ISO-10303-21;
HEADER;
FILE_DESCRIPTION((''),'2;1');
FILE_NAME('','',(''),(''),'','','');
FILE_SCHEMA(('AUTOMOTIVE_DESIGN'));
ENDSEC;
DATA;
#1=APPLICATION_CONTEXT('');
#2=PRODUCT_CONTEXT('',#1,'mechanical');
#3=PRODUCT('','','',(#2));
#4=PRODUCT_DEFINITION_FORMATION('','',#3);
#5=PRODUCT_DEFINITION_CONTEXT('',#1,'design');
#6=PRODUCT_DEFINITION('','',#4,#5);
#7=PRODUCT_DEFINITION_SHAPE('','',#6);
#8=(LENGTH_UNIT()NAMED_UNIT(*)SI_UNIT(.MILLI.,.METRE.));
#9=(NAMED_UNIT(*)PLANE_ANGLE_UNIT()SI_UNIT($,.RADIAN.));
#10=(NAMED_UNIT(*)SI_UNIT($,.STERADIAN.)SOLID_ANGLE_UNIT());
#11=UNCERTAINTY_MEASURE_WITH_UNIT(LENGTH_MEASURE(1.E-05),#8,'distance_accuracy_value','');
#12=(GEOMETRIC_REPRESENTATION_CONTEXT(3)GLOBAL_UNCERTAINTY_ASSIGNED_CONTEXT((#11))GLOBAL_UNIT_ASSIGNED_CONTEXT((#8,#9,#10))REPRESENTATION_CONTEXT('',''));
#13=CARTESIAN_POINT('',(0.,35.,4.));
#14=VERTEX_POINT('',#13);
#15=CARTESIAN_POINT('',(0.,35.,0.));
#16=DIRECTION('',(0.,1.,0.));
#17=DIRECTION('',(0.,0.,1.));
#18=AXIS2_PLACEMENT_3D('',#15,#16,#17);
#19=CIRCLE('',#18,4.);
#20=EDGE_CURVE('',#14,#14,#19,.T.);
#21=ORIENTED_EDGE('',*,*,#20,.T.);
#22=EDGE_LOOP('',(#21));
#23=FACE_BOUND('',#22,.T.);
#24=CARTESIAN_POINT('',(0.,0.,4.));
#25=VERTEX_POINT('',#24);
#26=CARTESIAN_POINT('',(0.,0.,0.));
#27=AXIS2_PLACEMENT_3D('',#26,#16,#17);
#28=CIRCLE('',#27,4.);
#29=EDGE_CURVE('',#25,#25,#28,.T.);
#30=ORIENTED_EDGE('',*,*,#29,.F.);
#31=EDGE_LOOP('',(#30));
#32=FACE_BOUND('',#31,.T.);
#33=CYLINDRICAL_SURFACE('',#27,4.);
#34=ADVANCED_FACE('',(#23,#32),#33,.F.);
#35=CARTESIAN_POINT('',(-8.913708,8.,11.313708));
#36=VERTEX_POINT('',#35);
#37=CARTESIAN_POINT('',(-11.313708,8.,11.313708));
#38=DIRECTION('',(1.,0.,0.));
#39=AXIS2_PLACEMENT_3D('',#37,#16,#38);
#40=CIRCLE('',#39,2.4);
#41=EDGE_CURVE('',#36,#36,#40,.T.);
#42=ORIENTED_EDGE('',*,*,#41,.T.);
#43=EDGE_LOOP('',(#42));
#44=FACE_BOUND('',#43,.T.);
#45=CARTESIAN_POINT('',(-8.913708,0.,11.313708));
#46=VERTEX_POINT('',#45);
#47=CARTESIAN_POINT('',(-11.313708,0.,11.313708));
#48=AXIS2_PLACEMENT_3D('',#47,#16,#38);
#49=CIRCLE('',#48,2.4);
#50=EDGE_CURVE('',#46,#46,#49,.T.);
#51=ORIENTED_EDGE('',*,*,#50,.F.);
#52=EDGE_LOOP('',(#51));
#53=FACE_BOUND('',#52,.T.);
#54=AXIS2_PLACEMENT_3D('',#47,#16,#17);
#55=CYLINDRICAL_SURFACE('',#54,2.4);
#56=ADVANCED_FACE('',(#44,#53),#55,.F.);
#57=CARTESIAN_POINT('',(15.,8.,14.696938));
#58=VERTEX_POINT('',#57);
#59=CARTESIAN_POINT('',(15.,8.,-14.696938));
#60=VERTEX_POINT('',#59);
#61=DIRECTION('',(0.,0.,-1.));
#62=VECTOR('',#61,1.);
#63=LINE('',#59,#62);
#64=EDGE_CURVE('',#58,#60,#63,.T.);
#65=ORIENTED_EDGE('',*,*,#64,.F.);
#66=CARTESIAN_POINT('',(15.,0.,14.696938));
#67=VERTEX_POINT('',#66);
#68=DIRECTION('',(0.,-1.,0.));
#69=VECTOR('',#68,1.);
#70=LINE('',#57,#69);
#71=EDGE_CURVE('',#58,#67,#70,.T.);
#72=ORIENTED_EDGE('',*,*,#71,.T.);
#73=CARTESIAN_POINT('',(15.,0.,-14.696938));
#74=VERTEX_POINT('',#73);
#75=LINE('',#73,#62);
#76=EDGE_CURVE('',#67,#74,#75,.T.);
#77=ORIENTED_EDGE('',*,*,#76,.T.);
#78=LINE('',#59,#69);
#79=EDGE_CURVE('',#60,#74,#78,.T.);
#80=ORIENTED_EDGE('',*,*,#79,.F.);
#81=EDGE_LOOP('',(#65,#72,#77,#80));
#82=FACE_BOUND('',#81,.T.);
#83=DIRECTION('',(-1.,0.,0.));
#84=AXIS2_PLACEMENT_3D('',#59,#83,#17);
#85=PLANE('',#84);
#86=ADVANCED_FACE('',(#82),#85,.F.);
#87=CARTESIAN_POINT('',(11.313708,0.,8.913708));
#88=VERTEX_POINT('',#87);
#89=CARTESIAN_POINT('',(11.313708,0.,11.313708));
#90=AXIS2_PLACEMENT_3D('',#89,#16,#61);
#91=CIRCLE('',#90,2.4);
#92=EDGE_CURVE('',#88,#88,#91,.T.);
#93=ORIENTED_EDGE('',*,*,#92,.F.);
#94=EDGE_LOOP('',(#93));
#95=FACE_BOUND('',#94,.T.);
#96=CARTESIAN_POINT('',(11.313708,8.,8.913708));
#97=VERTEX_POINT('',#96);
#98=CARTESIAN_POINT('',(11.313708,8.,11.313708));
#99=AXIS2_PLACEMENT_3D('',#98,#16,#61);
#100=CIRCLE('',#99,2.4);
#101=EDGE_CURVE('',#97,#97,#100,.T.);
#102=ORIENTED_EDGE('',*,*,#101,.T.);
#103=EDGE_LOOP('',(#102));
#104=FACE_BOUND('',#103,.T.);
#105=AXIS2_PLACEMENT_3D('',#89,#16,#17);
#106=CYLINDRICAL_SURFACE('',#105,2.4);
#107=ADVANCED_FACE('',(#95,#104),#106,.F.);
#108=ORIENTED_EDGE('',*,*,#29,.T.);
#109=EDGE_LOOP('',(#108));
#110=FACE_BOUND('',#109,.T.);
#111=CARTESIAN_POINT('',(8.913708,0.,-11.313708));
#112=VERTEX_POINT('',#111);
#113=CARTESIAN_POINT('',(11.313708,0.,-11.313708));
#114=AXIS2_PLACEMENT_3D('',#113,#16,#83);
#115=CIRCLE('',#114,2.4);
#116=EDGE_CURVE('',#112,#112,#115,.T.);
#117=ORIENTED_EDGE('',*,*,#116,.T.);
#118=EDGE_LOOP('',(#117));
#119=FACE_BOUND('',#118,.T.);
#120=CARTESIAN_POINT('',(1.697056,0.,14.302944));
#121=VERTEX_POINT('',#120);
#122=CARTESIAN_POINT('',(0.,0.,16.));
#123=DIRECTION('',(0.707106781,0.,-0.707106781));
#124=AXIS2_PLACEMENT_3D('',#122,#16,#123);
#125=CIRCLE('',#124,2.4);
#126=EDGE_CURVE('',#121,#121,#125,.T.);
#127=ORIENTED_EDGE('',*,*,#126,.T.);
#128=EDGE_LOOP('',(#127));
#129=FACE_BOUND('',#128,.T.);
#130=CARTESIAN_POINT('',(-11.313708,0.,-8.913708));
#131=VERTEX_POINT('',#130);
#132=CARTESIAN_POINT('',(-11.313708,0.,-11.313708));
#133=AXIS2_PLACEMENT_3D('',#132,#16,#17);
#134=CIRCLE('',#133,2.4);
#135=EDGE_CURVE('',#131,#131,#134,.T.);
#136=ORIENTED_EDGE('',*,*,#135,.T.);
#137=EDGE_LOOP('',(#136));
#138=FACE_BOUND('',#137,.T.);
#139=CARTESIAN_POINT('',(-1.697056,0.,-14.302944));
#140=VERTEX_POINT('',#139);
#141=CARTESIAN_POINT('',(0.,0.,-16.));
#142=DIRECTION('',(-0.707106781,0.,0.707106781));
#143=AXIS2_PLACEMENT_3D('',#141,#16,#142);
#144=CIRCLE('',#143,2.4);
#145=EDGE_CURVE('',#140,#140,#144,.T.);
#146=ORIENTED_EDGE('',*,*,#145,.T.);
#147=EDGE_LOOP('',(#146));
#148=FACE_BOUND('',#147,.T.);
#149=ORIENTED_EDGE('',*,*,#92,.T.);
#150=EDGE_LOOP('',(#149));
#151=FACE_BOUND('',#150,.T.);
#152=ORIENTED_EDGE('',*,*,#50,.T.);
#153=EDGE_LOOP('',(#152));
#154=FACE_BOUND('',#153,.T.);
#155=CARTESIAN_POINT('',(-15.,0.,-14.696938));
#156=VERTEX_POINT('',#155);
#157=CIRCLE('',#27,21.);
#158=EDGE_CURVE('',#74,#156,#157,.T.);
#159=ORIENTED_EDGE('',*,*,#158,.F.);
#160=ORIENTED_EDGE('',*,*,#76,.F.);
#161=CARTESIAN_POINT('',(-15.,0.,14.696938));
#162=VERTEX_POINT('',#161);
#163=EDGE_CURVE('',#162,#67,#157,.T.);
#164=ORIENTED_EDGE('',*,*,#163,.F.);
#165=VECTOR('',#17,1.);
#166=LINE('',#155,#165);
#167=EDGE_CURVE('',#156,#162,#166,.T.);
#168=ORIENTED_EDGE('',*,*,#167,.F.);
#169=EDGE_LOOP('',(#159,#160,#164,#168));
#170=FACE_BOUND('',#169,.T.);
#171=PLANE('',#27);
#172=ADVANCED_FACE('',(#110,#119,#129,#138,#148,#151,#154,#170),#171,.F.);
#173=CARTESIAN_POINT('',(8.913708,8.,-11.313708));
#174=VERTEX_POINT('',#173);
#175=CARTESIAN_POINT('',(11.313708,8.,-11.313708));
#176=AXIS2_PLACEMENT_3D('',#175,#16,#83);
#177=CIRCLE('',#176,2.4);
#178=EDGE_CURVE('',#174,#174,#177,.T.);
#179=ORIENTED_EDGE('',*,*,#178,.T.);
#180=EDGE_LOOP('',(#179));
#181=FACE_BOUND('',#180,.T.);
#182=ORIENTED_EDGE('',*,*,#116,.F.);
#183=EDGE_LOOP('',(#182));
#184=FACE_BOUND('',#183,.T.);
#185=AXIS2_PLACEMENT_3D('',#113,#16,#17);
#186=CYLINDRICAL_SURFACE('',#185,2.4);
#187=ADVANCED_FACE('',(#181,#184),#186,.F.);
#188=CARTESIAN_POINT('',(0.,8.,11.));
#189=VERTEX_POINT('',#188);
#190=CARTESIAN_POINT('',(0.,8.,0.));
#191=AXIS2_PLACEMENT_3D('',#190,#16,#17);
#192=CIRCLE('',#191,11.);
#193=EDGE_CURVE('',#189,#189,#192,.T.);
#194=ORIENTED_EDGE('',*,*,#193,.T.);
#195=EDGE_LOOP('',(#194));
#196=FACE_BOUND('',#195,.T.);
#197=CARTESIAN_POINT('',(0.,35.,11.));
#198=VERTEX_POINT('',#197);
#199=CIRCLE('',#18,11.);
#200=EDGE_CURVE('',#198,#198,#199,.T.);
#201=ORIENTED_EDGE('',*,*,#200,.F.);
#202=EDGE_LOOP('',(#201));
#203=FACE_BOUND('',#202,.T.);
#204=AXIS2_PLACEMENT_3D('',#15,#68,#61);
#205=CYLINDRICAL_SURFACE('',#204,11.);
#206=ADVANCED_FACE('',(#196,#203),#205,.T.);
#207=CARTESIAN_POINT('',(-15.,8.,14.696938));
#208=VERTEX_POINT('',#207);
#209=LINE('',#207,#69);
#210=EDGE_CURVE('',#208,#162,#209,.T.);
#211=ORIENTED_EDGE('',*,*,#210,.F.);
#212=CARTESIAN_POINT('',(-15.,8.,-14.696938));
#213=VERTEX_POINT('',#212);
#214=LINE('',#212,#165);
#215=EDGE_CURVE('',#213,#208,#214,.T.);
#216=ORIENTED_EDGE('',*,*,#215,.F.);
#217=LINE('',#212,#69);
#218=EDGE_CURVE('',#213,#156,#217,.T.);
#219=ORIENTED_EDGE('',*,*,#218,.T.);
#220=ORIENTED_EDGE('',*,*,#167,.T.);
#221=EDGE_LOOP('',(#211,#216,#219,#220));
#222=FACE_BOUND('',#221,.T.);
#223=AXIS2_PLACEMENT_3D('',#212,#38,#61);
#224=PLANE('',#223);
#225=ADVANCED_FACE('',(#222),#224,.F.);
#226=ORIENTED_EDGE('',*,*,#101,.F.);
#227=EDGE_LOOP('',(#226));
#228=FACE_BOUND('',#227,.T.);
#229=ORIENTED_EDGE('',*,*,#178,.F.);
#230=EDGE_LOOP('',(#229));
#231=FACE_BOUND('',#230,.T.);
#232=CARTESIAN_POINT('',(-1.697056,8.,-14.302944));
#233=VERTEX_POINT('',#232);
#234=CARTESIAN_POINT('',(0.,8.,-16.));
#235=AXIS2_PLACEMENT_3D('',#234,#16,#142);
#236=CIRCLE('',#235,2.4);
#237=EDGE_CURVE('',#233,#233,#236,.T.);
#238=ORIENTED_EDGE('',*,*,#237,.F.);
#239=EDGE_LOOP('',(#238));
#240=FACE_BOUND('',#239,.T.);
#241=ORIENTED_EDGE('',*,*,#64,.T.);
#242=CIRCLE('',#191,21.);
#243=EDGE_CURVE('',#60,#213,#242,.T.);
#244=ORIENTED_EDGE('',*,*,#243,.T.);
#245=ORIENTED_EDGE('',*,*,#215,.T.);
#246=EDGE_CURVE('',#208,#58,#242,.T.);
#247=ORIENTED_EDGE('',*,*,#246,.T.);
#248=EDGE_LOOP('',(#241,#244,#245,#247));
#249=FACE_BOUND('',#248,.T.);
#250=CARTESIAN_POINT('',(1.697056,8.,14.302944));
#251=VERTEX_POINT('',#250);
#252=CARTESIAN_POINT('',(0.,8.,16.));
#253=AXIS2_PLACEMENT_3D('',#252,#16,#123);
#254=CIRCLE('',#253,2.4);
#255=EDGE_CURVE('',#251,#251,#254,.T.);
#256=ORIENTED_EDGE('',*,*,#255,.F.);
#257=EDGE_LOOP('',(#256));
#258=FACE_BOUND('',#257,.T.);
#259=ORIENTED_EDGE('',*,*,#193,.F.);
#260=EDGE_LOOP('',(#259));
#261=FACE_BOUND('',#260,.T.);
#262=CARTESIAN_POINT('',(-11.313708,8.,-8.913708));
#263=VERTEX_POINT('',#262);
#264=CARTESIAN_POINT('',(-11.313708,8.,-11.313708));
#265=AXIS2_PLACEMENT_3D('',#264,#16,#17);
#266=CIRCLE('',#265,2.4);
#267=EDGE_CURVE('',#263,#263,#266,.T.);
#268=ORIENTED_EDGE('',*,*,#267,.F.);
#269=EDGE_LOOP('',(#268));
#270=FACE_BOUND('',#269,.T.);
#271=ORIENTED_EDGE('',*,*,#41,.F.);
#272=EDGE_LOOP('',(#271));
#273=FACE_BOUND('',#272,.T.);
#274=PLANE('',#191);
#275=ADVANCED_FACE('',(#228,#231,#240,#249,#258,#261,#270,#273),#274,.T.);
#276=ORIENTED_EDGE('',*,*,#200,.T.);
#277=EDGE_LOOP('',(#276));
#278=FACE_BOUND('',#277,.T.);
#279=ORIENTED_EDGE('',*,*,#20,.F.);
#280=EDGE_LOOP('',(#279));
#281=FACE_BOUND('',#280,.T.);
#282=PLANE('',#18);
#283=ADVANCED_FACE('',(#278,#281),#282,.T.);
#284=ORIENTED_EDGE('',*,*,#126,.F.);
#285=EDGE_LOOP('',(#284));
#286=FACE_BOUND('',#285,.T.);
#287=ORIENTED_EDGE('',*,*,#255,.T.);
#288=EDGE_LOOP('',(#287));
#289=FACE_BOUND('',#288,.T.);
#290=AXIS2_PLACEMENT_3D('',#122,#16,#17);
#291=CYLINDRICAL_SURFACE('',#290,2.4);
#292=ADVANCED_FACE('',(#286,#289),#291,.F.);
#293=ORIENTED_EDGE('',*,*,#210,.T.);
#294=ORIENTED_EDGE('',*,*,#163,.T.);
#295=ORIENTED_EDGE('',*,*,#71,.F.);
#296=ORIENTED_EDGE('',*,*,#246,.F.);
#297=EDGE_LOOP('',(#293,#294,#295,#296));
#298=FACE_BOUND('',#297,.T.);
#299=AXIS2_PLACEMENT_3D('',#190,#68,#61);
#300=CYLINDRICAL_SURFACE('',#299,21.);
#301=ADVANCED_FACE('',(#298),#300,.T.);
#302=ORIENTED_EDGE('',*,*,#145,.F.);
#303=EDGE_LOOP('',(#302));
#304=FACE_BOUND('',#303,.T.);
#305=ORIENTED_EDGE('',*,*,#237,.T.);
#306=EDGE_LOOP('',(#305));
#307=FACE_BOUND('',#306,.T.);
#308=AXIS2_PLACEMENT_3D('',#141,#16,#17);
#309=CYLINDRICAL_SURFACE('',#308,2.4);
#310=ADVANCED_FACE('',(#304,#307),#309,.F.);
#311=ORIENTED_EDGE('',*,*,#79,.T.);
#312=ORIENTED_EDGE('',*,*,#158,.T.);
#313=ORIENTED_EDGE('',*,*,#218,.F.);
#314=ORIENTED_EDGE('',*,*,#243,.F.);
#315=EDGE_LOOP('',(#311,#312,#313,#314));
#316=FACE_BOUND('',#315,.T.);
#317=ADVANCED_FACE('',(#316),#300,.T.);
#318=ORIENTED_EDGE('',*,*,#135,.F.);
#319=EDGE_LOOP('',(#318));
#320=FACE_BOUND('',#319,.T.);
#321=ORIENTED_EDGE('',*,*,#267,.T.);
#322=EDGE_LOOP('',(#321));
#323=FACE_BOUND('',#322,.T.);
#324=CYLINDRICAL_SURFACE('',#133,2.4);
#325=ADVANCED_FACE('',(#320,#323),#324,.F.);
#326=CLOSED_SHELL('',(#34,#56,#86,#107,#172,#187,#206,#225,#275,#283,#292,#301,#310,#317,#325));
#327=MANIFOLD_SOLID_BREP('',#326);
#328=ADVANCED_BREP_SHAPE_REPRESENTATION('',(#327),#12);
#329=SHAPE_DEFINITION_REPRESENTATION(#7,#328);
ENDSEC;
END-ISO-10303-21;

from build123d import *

# Parameters (mm, degrees)
EXTRUDE_1_DEPTH          = 8
SKETCH_2_R               = 4
CUT_EXTRUDE_1_DEPTH      = 28.018512172
SKETCH_3_R               = 2.4
CUT_EXTRUDE_2_DEPTH      = 8
PATTERN_CIRCULAR_2_COUNT = 8
SKETCH_4_R               = 11
EXTRUDE_2_DEPTH          = 27
SKETCH_5_R               = 4
CUT_EXTRUDE_3_DEPTH      = 44.48562981


with BuildPart() as part:
    # 草图1 → 凸台-拉伸1 (new body)
    with BuildSketch(Plane(origin=(0, 0, 0), x_dir=(1, 0, 0), z_dir=(0, 1, 0))):
        with BuildLine():
            Line((-15, 14.696938457), (-15, -14.696938457))
            ThreePointArc((-15, -14.696938457), (0, -21), (15, -14.696938457))
            Line((15, -14.696938457), (15, 14.696938457))
            ThreePointArc((15, 14.696938457), (0, 21), (-15, 14.696938457))
        make_face()
    extrude(amount=EXTRUDE_1_DEPTH)

    # 草图2 → 切除-拉伸1 (cut, through all)
    with BuildSketch(Plane(origin=(0, 8, 0), x_dir=(1, 0, 0), z_dir=(0, 1, 0))):
        with Locations(Location((0, 0, 0), (0, 0, 270))):
            Circle(SKETCH_2_R)
    extrude(amount=-CUT_EXTRUDE_1_DEPTH, mode=Mode.SUBTRACT)

    # 草图3 → 切除-拉伸2 (cut)
    with BuildSketch(Plane(origin=(0, 8, 0), x_dir=(1, 0, 0), z_dir=(0, 1, 0))):
        with Locations(Location((-11.313708499, 11.313708499, 0), (0, 0, 270))):
            Circle(SKETCH_3_R)
    cut_extrude_2 = extrude(amount=-CUT_EXTRUDE_2_DEPTH, mode=Mode.SUBTRACT)

    # 阵列(圆周)2: 切除-拉伸2 ×8 about axis, 2 skipped
    pattern_circular_2_axis = Axis((0, 8, 0), (0, 1, 0))
    add([cut_extrude_2.rotate(pattern_circular_2_axis, i * 360 / PATTERN_CIRCULAR_2_COUNT) for i in range(1, PATTERN_CIRCULAR_2_COUNT) if i not in (1, 5)], mode=Mode.SUBTRACT)

    # 草图4 → 凸台-拉伸2 (add)
    with BuildSketch(Plane(origin=(0, 8, 0), x_dir=(1, 0, 0), z_dir=(0, 1, 0))):
        with Locations(Location((0, 0, 0), (0, 0, 270))):
            Circle(SKETCH_4_R)
    extrude(amount=EXTRUDE_2_DEPTH)

    # 草图5 → 切除-拉伸3 (cut, through all)
    with BuildSketch(Plane(origin=(0, 35, 0), x_dir=(1, 0, 0), z_dir=(0, 1, 0))):
        with Locations(Location((0, 0, 0), (0, 0, 270))):
            Circle(SKETCH_5_R)
    extrude(amount=-CUT_EXTRUDE_3_DEPTH, mode=Mode.SUBTRACT)


solid = part.part
